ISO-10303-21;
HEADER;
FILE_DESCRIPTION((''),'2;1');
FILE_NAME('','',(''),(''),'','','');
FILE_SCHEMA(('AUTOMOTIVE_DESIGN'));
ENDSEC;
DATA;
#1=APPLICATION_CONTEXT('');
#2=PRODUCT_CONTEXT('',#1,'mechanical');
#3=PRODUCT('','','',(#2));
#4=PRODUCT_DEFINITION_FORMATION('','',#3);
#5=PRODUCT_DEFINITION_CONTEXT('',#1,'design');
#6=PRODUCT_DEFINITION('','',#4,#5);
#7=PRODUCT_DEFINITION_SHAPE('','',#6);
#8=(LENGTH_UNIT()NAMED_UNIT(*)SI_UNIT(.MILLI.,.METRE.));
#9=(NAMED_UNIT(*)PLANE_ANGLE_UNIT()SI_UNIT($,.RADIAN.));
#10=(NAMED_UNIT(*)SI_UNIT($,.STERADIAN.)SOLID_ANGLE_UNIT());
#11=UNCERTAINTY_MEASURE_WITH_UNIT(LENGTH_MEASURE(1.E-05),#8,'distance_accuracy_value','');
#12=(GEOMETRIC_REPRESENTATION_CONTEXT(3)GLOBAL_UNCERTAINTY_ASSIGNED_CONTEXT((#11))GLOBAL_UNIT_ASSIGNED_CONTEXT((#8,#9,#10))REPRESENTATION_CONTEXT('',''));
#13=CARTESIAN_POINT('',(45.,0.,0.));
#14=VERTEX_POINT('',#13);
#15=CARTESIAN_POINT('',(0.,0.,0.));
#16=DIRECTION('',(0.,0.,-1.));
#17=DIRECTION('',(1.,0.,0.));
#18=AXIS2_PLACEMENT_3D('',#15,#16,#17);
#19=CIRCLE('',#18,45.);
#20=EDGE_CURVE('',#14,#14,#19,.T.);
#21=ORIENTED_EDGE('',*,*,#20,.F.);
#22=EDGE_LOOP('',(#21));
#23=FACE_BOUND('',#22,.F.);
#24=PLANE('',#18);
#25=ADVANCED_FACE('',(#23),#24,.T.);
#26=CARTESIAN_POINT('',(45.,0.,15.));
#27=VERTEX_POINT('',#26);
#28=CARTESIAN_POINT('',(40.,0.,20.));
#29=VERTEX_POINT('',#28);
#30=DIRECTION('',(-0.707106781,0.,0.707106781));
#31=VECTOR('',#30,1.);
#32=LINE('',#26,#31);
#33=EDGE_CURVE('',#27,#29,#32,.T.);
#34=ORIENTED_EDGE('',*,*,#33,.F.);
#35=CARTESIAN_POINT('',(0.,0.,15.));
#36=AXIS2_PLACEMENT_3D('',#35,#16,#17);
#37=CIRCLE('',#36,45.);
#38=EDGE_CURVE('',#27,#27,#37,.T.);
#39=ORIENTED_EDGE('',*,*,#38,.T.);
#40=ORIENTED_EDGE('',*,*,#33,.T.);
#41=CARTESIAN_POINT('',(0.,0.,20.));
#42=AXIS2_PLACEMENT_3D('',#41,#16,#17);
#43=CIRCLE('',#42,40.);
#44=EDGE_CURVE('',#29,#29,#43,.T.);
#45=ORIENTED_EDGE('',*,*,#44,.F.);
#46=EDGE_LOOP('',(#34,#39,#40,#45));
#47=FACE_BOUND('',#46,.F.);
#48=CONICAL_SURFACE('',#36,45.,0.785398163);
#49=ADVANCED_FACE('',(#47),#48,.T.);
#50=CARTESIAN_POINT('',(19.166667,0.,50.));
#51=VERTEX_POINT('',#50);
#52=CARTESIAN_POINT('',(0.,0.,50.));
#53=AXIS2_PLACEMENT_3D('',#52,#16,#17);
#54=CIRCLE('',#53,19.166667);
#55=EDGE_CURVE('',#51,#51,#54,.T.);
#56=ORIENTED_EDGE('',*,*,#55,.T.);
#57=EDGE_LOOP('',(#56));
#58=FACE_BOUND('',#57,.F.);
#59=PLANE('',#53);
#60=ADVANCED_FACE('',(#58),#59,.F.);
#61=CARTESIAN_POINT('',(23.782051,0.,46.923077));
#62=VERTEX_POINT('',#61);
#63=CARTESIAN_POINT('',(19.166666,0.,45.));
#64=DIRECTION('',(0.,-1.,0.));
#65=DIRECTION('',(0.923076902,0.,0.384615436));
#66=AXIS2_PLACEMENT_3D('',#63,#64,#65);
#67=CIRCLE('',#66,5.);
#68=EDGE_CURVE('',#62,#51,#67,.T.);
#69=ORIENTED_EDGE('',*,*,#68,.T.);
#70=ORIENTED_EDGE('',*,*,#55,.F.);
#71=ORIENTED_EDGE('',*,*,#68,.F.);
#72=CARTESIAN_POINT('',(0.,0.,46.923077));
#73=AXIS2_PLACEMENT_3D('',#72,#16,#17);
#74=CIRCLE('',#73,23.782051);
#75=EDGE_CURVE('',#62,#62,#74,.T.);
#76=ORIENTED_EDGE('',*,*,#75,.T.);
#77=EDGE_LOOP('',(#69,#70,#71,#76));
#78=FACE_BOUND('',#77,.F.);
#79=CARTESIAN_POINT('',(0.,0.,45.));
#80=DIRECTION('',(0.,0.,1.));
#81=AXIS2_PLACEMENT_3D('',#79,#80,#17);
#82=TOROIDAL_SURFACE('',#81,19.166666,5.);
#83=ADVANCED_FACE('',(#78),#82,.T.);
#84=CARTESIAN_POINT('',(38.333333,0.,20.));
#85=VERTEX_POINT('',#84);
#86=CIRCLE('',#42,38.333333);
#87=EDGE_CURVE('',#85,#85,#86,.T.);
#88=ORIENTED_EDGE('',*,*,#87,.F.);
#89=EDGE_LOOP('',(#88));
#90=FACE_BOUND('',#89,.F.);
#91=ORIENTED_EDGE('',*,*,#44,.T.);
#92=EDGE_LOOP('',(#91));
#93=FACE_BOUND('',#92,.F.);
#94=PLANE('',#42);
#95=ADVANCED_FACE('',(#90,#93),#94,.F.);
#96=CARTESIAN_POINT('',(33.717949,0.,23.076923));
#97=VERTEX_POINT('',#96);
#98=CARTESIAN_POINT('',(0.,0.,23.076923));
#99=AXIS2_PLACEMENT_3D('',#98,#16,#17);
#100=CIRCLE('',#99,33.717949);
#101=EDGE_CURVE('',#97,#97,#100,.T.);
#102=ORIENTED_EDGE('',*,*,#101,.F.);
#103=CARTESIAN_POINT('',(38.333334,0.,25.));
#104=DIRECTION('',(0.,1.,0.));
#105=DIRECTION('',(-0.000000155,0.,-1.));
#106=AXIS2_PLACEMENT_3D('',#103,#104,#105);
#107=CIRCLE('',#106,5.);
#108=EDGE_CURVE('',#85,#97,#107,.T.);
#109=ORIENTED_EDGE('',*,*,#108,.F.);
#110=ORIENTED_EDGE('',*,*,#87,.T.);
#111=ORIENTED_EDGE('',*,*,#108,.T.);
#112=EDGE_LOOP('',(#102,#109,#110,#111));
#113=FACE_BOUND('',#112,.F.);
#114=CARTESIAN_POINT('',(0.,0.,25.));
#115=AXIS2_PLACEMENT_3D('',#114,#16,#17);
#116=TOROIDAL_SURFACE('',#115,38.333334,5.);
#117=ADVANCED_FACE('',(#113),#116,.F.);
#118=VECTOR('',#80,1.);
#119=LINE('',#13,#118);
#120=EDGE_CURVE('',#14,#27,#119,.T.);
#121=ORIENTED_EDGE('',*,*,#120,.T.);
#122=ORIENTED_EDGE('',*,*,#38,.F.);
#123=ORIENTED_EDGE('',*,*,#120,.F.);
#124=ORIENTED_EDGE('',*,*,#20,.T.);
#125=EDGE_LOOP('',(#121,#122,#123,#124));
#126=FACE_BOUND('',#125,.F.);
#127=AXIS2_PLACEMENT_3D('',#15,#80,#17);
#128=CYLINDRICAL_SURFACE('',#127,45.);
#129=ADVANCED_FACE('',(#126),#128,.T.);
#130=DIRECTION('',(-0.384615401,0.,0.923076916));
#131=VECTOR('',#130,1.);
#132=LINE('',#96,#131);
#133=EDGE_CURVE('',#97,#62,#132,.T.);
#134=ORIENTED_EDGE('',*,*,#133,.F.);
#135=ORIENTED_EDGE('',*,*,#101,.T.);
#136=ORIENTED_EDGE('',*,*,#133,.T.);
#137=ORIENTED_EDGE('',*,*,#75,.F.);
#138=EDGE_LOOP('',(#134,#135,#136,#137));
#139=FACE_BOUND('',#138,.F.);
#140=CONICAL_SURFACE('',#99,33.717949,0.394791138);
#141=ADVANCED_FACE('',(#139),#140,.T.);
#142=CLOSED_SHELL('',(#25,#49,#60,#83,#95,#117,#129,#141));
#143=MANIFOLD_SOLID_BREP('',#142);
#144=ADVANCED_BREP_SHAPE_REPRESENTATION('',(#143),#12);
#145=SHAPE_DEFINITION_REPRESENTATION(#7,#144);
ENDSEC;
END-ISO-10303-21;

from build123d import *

# Parameters (mm, degrees)
F2_SIZE = 5


with BuildPart() as f1:
    # F0 (on Front) → F1 (revolve)
    with BuildSketch(Plane.XZ):
        with BuildLine():
            Line((0, 50), (0, 0))
            Line((0, 0), (45, 0))
            Line((45, 0), (45, 20))
            Line((45, 20), (38.333333, 20))
            ThreePointArc((38.333333, 20), (35.559832, 20.839749), (33.717949, 23.076923))
            Line((33.717949, 23.076923), (23.782051, 46.923077))
            ThreePointArc((23.782051, 46.923077), (21.940168, 49.160251), (19.166667, 50))
            Line((19.166667, 50), (0, 50))
        make_face()
    revolve(axis=Axis((0, 0, 22.974283), (0, 0, -1)))

    # F2
    f2_edges = [f1.edges().sort_by_distance(p)[0] for p in [
        (-45, 0, 20),
        (-33.717949, 0, 23.076923),
        (-23.782051, 0, 46.923077),
        (-19.166667, 0, 50),
    ]]
    chamfer(f2_edges, length=F2_SIZE)


solid = f1.part
